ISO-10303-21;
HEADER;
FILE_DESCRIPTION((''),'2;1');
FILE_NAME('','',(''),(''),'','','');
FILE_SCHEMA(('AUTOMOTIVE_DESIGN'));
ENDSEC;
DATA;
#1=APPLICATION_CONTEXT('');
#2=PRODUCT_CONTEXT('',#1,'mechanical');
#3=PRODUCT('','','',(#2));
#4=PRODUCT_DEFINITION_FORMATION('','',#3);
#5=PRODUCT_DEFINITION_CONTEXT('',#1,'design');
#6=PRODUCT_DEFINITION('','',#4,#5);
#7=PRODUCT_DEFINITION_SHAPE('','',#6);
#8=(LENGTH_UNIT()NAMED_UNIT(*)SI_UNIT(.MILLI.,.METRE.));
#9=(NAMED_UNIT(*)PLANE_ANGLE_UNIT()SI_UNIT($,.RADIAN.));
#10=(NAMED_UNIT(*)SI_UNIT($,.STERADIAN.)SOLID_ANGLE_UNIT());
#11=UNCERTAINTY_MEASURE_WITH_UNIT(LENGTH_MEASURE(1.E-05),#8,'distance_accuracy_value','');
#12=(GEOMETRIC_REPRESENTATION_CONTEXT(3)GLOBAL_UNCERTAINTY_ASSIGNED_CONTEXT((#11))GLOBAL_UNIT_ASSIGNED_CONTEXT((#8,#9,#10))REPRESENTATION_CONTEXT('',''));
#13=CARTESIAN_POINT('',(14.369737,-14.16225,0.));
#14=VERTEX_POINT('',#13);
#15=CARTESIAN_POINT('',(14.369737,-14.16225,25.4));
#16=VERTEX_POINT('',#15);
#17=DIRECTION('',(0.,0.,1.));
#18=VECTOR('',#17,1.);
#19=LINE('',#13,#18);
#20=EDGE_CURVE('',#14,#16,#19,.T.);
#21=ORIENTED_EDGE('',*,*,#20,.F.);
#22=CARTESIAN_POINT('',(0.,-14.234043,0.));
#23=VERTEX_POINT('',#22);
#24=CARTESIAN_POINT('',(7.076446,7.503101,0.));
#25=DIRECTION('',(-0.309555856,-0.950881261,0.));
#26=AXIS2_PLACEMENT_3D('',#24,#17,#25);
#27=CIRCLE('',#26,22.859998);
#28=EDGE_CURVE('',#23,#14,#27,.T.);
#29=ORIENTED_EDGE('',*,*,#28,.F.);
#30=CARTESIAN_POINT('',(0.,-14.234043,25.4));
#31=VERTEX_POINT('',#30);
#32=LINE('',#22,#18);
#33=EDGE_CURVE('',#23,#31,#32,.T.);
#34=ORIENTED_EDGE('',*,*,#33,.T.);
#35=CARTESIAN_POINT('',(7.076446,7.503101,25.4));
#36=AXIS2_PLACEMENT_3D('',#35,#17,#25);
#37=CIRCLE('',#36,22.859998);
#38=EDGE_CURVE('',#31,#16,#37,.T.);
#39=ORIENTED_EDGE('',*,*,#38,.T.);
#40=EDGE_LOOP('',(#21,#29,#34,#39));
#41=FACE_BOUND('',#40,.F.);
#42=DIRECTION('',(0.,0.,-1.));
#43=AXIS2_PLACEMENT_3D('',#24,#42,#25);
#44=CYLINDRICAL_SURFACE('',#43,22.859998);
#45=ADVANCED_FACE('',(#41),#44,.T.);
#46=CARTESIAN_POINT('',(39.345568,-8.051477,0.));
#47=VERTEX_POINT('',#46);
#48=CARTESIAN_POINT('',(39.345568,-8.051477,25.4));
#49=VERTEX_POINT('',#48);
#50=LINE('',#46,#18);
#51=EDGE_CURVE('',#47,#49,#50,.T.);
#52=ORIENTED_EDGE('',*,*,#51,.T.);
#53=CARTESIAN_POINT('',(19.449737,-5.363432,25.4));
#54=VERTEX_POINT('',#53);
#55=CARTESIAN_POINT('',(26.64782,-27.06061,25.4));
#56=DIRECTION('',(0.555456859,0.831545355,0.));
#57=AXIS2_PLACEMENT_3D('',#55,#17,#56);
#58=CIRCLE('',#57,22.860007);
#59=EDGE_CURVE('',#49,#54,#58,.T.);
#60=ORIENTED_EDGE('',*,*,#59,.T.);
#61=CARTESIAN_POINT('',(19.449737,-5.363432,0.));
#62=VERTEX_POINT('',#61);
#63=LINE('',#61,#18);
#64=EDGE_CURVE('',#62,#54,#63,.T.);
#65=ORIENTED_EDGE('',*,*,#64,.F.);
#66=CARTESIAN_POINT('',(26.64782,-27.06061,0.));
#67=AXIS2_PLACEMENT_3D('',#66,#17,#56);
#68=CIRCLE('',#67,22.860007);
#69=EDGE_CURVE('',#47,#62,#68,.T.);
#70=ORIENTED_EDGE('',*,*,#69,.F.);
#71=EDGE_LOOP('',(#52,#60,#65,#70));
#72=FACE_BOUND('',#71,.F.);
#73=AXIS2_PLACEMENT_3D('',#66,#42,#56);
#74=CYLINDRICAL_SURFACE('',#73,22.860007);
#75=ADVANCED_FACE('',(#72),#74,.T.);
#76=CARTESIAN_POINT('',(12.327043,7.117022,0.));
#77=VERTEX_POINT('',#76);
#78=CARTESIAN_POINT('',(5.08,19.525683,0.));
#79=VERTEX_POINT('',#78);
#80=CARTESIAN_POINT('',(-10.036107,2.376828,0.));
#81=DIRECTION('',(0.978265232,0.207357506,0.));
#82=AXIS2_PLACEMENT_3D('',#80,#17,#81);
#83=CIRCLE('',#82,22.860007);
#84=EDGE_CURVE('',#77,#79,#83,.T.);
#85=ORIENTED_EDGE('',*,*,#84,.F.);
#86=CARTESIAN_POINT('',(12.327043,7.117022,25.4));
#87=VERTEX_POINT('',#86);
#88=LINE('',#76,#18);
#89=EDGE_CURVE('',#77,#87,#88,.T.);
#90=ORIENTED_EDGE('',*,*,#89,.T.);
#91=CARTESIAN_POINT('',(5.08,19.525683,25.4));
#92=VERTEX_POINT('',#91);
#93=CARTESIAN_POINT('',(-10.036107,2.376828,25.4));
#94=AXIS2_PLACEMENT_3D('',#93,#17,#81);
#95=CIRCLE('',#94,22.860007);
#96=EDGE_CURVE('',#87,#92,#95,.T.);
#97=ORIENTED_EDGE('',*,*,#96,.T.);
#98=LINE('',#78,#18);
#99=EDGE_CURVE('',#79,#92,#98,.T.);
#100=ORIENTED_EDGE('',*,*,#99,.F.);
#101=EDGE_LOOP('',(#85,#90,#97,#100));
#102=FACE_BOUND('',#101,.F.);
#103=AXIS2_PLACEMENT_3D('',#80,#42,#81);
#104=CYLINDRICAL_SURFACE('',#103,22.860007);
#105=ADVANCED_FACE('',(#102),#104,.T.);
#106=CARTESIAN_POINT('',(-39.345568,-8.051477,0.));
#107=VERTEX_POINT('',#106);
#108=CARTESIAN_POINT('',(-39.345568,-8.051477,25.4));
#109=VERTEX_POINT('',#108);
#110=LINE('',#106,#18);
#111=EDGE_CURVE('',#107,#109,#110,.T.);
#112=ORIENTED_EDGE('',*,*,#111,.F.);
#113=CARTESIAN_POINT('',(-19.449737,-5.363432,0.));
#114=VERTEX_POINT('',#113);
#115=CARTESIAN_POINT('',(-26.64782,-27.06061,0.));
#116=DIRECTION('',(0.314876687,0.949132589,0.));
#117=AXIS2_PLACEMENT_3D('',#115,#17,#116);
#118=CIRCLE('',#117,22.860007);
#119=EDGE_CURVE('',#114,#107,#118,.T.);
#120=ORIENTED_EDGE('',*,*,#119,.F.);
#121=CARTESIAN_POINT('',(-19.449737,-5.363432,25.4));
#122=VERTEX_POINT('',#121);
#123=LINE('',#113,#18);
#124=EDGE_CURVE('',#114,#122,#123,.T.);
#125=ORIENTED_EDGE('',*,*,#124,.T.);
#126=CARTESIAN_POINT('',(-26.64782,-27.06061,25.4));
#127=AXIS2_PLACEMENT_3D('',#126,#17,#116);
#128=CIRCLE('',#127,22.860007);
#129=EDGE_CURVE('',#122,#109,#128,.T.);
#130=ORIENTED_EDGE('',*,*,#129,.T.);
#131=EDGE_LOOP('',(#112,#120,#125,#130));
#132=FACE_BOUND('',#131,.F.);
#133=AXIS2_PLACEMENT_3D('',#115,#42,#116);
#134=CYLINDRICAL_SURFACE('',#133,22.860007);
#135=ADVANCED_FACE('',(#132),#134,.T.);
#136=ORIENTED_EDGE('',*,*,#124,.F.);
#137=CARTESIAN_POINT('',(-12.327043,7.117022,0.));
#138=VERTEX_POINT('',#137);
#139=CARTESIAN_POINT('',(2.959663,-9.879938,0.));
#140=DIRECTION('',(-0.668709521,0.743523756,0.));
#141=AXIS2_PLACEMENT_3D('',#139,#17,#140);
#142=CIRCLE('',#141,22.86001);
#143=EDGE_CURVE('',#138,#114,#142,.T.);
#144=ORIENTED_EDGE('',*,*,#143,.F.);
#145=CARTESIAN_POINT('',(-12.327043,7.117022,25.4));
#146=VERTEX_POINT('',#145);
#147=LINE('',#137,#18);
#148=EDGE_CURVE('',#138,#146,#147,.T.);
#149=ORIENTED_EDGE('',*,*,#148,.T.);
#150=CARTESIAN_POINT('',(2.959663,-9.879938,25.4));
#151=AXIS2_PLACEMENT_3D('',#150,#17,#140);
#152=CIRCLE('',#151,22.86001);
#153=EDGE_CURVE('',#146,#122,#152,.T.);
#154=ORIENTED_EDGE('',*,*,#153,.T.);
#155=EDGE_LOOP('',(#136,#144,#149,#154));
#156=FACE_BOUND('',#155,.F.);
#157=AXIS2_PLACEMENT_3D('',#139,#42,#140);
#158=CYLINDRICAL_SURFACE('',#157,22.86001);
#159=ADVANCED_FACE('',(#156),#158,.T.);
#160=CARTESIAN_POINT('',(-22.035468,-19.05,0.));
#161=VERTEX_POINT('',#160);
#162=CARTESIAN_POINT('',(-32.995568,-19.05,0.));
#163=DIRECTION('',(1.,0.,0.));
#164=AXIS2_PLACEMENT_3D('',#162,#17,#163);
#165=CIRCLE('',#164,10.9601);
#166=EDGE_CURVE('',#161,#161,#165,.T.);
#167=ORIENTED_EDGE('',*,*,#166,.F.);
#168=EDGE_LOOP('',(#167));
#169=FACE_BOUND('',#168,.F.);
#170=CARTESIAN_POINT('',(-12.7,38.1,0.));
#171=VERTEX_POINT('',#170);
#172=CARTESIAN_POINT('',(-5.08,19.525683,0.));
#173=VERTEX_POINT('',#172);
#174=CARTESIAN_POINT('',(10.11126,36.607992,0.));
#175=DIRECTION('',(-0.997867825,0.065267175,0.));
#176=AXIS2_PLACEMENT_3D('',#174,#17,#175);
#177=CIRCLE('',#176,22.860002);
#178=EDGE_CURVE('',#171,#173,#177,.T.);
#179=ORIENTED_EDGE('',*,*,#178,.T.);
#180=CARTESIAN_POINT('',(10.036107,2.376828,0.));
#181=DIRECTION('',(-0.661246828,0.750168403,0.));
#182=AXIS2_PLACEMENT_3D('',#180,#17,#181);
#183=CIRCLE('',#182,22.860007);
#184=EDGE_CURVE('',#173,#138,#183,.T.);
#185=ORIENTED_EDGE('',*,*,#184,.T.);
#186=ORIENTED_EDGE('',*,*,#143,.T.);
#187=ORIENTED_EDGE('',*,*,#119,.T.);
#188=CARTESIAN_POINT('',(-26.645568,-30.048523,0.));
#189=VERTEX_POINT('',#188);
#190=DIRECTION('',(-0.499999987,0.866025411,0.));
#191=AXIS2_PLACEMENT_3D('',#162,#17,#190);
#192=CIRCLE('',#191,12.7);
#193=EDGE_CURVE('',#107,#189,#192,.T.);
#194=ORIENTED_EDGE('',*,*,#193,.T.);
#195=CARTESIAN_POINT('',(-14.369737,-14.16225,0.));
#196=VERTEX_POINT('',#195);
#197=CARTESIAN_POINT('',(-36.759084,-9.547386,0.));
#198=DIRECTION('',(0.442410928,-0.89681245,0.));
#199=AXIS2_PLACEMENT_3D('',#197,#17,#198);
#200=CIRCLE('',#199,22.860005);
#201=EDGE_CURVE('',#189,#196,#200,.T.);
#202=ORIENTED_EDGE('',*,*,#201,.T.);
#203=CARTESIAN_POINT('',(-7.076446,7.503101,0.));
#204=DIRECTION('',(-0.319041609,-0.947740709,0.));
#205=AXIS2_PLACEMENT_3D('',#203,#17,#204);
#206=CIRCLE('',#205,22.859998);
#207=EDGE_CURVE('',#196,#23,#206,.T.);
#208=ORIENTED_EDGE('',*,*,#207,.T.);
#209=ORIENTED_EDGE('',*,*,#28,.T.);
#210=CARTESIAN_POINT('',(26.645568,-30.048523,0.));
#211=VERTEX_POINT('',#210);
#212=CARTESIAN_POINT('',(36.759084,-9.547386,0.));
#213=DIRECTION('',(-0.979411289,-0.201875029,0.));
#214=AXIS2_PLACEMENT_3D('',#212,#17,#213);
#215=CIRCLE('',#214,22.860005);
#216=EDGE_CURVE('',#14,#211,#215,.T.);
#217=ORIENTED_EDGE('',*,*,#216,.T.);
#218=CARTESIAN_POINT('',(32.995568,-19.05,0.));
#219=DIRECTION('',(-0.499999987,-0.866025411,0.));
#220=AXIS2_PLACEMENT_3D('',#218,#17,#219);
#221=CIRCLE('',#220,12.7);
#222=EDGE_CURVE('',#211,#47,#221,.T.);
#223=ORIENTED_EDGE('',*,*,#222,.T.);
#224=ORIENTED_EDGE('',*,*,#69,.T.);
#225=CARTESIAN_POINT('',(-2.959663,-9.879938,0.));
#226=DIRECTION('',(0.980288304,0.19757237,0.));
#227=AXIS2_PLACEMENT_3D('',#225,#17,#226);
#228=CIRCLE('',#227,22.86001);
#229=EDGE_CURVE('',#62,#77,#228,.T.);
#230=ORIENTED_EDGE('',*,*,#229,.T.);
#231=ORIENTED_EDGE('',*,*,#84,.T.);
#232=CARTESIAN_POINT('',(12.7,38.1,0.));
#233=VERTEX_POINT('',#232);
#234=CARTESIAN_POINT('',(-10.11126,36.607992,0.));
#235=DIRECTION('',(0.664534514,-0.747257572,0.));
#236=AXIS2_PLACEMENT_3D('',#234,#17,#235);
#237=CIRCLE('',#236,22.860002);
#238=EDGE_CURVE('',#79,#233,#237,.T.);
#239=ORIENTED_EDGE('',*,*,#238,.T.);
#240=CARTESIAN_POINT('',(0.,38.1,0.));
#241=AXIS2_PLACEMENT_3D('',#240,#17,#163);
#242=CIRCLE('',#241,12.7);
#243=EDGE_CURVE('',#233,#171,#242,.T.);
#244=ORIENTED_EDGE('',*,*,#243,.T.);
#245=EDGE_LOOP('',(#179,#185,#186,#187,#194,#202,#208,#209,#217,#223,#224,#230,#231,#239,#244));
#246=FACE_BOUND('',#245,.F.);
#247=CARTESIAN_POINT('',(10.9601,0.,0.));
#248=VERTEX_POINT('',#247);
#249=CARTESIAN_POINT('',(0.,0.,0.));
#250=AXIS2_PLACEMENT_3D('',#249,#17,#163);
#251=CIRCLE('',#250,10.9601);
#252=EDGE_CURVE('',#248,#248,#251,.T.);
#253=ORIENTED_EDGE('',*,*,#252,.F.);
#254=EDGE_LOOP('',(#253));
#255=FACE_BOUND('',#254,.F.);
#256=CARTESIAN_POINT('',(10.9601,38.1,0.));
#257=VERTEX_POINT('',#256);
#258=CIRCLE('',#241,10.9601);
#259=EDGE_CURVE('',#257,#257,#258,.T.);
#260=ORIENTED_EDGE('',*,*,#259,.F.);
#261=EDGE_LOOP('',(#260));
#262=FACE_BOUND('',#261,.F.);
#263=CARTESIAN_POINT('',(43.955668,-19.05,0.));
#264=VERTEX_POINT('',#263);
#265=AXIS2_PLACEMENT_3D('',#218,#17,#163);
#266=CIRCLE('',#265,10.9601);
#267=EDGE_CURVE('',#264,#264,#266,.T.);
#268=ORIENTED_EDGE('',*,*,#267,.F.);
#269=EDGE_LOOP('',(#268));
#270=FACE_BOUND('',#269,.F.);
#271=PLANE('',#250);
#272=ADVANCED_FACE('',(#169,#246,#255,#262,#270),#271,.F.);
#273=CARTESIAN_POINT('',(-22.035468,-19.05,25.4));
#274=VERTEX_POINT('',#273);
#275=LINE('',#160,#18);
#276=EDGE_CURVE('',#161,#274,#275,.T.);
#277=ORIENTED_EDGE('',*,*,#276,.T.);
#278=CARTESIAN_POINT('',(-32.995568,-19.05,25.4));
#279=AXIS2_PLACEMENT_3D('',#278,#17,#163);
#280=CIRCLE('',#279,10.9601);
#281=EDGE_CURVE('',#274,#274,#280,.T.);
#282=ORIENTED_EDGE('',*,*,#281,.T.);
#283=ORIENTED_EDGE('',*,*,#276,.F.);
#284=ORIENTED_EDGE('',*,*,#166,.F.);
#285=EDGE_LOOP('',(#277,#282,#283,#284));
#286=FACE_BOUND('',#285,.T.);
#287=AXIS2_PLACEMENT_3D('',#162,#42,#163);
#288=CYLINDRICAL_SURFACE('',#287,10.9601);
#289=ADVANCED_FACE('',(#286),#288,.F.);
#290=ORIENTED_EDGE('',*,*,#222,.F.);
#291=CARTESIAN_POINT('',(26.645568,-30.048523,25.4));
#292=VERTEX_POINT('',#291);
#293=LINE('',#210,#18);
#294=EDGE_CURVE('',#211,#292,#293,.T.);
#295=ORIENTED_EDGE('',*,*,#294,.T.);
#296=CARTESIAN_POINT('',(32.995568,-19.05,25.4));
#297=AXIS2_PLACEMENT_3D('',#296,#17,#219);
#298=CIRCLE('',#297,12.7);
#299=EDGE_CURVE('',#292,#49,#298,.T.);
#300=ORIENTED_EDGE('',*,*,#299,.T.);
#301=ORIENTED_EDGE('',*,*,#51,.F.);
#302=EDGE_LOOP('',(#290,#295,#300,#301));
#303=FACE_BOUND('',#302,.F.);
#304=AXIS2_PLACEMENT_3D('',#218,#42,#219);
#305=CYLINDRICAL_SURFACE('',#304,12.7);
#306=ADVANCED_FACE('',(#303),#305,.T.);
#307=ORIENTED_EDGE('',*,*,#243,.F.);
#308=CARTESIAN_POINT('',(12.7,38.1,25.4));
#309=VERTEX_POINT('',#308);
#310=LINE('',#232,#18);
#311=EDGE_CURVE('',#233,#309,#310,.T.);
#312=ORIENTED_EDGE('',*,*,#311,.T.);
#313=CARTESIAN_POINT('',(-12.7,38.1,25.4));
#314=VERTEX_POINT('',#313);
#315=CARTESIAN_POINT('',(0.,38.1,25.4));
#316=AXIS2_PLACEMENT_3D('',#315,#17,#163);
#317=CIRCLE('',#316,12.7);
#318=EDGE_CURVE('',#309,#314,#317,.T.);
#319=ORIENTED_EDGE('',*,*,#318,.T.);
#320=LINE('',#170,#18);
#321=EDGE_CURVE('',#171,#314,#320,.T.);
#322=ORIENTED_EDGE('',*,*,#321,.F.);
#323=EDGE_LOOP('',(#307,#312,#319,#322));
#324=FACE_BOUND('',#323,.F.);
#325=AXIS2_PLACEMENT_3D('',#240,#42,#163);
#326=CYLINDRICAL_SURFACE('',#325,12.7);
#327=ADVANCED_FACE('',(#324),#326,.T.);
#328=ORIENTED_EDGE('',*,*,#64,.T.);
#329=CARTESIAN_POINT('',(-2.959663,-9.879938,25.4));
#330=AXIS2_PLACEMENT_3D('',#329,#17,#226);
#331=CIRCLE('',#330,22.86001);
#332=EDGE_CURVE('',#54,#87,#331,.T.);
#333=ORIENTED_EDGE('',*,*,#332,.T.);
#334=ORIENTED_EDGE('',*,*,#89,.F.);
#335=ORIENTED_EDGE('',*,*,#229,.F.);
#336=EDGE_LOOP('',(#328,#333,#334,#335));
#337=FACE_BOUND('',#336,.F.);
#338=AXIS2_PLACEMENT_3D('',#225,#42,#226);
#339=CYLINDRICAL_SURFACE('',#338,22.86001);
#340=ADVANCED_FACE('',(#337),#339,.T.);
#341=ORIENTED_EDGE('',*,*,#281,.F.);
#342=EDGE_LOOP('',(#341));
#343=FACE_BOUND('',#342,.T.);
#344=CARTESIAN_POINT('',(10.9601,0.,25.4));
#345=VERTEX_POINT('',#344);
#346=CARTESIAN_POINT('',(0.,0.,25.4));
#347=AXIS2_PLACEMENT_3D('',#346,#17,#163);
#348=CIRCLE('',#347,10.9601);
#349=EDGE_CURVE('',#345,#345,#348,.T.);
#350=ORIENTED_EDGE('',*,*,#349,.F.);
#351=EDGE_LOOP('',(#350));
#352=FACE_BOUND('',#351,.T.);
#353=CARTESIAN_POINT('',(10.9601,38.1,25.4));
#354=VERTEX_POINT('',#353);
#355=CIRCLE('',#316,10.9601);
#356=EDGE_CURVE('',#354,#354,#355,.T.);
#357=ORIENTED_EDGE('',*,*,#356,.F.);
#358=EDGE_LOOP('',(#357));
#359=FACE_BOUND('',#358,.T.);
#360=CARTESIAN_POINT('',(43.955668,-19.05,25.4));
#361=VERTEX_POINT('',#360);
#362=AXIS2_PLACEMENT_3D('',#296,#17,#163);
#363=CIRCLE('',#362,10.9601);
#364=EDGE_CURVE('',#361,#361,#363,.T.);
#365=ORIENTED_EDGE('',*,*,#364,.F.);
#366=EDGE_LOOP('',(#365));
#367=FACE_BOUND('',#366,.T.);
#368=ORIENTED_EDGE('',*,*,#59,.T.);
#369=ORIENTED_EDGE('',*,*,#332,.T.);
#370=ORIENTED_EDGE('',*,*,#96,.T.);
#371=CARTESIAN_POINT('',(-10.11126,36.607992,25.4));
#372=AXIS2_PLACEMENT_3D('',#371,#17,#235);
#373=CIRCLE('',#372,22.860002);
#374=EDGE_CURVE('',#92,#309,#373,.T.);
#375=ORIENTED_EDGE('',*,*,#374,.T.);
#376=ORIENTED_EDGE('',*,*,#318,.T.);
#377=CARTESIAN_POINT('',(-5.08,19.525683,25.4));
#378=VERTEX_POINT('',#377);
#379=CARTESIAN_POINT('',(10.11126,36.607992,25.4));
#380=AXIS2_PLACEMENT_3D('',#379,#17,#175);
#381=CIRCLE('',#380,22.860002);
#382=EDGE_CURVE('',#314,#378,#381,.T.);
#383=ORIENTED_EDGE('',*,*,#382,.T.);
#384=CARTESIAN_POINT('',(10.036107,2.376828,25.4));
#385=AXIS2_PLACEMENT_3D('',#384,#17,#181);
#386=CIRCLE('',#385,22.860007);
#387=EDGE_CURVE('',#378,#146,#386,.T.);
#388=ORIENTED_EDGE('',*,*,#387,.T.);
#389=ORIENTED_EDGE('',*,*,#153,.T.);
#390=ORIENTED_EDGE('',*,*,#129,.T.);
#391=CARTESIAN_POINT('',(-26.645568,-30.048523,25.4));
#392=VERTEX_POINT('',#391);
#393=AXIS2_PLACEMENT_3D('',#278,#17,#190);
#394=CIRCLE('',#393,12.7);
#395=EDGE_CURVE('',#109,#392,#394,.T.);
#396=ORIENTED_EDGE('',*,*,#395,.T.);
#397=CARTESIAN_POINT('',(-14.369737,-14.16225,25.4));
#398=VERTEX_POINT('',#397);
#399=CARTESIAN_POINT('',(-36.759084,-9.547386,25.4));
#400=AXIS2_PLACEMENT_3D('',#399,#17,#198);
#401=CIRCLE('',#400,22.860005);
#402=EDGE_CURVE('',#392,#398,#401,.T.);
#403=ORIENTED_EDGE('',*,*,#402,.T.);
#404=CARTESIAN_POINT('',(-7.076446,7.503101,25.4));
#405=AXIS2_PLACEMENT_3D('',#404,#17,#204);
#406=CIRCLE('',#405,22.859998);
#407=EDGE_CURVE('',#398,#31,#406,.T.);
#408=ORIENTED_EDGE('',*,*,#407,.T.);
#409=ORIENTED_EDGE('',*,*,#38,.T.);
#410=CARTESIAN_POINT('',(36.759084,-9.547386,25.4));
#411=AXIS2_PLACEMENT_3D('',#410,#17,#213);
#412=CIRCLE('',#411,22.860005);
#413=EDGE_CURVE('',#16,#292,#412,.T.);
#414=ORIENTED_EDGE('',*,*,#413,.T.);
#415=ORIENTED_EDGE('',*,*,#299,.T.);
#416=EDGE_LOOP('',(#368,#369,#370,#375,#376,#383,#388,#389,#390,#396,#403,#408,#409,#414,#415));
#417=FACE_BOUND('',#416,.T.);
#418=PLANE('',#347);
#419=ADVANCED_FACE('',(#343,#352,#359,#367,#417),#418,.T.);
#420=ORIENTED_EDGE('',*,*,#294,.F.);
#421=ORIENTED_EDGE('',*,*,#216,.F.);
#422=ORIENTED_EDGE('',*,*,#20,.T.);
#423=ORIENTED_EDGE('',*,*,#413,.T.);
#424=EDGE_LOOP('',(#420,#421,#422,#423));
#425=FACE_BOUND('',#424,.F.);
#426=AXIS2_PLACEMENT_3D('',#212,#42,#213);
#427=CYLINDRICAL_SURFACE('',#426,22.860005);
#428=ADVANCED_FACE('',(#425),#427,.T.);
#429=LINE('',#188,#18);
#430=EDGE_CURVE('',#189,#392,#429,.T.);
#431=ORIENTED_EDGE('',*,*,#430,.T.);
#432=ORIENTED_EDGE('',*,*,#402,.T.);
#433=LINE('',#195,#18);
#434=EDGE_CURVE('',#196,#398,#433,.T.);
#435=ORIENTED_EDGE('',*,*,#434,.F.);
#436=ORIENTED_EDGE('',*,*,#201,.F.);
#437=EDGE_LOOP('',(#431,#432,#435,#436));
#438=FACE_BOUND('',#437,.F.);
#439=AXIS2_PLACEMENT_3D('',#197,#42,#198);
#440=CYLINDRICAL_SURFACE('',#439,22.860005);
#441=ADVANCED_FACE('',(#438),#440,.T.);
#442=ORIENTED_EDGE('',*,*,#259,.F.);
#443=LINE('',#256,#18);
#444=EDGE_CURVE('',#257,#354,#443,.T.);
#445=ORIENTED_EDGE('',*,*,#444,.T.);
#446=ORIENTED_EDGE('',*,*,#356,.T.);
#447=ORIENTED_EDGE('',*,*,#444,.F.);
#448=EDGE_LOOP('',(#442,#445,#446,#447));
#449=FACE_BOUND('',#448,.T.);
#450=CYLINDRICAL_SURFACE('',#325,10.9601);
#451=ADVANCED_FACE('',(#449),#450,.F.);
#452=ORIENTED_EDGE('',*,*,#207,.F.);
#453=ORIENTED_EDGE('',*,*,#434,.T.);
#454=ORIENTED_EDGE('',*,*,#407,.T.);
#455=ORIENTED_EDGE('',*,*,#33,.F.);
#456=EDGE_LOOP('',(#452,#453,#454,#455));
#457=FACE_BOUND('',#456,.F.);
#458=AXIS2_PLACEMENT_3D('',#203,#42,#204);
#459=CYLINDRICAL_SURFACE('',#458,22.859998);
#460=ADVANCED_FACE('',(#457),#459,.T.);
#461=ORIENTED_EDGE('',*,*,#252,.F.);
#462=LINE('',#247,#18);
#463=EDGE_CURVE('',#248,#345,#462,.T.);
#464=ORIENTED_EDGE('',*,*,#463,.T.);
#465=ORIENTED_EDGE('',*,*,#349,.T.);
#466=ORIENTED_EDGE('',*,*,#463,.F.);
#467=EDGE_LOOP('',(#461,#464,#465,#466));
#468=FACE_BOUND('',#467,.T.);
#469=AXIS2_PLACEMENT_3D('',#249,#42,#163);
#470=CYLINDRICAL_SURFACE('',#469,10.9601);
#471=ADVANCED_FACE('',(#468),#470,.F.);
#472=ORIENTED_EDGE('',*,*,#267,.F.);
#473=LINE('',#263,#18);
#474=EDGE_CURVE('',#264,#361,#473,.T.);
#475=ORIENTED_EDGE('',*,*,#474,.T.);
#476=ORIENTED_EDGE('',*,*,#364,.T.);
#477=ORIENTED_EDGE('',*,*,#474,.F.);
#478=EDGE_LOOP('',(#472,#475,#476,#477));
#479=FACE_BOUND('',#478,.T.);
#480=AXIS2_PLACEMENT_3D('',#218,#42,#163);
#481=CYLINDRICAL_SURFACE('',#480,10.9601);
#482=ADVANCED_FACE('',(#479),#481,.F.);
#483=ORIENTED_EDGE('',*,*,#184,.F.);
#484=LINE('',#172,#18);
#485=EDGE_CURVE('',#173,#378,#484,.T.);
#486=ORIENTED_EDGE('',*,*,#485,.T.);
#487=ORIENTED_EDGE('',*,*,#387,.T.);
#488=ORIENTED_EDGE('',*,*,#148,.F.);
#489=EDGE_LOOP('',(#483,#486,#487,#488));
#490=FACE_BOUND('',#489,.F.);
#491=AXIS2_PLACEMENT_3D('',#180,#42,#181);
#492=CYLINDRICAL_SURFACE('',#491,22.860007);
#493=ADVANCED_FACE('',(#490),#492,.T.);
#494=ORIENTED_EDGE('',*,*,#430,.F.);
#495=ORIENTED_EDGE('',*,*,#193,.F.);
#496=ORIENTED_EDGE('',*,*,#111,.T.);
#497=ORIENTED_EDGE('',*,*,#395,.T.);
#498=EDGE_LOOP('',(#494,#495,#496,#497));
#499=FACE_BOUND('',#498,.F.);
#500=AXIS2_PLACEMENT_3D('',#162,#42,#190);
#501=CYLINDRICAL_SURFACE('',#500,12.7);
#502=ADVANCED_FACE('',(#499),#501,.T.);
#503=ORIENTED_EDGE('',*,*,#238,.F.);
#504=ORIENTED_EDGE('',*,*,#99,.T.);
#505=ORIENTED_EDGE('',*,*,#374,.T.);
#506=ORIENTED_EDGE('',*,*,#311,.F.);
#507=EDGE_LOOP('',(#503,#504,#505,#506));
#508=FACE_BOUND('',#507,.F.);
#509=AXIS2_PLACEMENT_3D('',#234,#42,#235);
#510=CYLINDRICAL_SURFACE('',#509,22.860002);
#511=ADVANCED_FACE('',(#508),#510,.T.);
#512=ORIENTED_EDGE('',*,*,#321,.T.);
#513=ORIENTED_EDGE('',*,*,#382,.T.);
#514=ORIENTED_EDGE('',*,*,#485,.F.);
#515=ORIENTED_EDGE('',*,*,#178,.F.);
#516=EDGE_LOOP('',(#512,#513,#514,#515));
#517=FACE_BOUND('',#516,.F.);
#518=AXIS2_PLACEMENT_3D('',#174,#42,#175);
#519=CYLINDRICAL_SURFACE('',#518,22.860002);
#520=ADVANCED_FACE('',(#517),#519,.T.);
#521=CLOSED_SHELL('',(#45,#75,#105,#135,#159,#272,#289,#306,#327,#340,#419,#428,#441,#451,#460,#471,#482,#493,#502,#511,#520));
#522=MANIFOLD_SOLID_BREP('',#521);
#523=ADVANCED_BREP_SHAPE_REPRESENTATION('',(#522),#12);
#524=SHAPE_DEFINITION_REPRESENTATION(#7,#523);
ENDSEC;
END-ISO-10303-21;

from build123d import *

# Parameters (mm, degrees)
F0_R     = 10.9601
F0_R_2   = 12.7
F1_DEPTH = 25.4


with BuildPart() as f1:
    # F0 (on Top) → F1 (new body)
    with BuildSketch(Plane.XY):
        with BuildLine():
            ThreePointArc((5.08, 19.525683), (11.038189, 27.93156), (12.7, 38.1))
            ThreePointArc((12.7, 38.1), (0, 50.8), (-12.7, 38.1))
            ThreePointArc((-12.7, 38.1), (-11.038189, 27.93156), (-5.08, 19.525683))
            ThreePointArc((-5.08, 19.525683), (-9.703888, 13.905597), (-12.327043, 7.117022))
            ThreePointArc((-12.327043, 7.117022), (-16.894544, 1.451015), (-19.449737, -5.363432))
            ThreePointArc((-19.449737, -5.363432), (-29.708535, -4.406428), (-39.345568, -8.051477))
            ThreePointArc((-39.345568, -8.051477), (-43.994091, -25.4), (-26.645568, -30.048523))
            ThreePointArc((-26.645568, -30.048523), (-18.670346, -23.525132), (-14.369737, -14.16225))
            ThreePointArc((-14.369737, -14.16225), (-7.190656, -15.356612), (0, -14.234043))
            ThreePointArc((0, -14.234043), (7.190656, -15.356612), (14.369737, -14.16225))
            ThreePointArc((14.369737, -14.16225), (18.670346, -23.525132), (26.645568, -30.048523))
            ThreePointArc((26.645568, -30.048523), (43.994091, -25.4), (39.345568, -8.051477))
            ThreePointArc((39.345568, -8.051477), (29.708535, -4.406428), (19.449737, -5.363432))
            ThreePointArc((19.449737, -5.363432), (16.894544, 1.451015), (12.327043, 7.117022))
            ThreePointArc((12.327043, 7.117022), (9.703888, 13.905597), (5.08, 19.525683))
        make_face()
        with Locations((-32.995568, -19.05)):
            Circle(F0_R, mode=Mode.SUBTRACT)
        with Locations((32.995568, -19.05)):
            Circle(F0_R, mode=Mode.SUBTRACT)
        Circle(F0_R_2, mode=Mode.SUBTRACT)
        with Locations((0, 38.1)):
            Circle(F0_R, mode=Mode.SUBTRACT)
        Circle(F0_R_2)
        Circle(F0_R, mode=Mode.SUBTRACT)
    extrude(amount=F1_DEPTH)


solid = f1.part
